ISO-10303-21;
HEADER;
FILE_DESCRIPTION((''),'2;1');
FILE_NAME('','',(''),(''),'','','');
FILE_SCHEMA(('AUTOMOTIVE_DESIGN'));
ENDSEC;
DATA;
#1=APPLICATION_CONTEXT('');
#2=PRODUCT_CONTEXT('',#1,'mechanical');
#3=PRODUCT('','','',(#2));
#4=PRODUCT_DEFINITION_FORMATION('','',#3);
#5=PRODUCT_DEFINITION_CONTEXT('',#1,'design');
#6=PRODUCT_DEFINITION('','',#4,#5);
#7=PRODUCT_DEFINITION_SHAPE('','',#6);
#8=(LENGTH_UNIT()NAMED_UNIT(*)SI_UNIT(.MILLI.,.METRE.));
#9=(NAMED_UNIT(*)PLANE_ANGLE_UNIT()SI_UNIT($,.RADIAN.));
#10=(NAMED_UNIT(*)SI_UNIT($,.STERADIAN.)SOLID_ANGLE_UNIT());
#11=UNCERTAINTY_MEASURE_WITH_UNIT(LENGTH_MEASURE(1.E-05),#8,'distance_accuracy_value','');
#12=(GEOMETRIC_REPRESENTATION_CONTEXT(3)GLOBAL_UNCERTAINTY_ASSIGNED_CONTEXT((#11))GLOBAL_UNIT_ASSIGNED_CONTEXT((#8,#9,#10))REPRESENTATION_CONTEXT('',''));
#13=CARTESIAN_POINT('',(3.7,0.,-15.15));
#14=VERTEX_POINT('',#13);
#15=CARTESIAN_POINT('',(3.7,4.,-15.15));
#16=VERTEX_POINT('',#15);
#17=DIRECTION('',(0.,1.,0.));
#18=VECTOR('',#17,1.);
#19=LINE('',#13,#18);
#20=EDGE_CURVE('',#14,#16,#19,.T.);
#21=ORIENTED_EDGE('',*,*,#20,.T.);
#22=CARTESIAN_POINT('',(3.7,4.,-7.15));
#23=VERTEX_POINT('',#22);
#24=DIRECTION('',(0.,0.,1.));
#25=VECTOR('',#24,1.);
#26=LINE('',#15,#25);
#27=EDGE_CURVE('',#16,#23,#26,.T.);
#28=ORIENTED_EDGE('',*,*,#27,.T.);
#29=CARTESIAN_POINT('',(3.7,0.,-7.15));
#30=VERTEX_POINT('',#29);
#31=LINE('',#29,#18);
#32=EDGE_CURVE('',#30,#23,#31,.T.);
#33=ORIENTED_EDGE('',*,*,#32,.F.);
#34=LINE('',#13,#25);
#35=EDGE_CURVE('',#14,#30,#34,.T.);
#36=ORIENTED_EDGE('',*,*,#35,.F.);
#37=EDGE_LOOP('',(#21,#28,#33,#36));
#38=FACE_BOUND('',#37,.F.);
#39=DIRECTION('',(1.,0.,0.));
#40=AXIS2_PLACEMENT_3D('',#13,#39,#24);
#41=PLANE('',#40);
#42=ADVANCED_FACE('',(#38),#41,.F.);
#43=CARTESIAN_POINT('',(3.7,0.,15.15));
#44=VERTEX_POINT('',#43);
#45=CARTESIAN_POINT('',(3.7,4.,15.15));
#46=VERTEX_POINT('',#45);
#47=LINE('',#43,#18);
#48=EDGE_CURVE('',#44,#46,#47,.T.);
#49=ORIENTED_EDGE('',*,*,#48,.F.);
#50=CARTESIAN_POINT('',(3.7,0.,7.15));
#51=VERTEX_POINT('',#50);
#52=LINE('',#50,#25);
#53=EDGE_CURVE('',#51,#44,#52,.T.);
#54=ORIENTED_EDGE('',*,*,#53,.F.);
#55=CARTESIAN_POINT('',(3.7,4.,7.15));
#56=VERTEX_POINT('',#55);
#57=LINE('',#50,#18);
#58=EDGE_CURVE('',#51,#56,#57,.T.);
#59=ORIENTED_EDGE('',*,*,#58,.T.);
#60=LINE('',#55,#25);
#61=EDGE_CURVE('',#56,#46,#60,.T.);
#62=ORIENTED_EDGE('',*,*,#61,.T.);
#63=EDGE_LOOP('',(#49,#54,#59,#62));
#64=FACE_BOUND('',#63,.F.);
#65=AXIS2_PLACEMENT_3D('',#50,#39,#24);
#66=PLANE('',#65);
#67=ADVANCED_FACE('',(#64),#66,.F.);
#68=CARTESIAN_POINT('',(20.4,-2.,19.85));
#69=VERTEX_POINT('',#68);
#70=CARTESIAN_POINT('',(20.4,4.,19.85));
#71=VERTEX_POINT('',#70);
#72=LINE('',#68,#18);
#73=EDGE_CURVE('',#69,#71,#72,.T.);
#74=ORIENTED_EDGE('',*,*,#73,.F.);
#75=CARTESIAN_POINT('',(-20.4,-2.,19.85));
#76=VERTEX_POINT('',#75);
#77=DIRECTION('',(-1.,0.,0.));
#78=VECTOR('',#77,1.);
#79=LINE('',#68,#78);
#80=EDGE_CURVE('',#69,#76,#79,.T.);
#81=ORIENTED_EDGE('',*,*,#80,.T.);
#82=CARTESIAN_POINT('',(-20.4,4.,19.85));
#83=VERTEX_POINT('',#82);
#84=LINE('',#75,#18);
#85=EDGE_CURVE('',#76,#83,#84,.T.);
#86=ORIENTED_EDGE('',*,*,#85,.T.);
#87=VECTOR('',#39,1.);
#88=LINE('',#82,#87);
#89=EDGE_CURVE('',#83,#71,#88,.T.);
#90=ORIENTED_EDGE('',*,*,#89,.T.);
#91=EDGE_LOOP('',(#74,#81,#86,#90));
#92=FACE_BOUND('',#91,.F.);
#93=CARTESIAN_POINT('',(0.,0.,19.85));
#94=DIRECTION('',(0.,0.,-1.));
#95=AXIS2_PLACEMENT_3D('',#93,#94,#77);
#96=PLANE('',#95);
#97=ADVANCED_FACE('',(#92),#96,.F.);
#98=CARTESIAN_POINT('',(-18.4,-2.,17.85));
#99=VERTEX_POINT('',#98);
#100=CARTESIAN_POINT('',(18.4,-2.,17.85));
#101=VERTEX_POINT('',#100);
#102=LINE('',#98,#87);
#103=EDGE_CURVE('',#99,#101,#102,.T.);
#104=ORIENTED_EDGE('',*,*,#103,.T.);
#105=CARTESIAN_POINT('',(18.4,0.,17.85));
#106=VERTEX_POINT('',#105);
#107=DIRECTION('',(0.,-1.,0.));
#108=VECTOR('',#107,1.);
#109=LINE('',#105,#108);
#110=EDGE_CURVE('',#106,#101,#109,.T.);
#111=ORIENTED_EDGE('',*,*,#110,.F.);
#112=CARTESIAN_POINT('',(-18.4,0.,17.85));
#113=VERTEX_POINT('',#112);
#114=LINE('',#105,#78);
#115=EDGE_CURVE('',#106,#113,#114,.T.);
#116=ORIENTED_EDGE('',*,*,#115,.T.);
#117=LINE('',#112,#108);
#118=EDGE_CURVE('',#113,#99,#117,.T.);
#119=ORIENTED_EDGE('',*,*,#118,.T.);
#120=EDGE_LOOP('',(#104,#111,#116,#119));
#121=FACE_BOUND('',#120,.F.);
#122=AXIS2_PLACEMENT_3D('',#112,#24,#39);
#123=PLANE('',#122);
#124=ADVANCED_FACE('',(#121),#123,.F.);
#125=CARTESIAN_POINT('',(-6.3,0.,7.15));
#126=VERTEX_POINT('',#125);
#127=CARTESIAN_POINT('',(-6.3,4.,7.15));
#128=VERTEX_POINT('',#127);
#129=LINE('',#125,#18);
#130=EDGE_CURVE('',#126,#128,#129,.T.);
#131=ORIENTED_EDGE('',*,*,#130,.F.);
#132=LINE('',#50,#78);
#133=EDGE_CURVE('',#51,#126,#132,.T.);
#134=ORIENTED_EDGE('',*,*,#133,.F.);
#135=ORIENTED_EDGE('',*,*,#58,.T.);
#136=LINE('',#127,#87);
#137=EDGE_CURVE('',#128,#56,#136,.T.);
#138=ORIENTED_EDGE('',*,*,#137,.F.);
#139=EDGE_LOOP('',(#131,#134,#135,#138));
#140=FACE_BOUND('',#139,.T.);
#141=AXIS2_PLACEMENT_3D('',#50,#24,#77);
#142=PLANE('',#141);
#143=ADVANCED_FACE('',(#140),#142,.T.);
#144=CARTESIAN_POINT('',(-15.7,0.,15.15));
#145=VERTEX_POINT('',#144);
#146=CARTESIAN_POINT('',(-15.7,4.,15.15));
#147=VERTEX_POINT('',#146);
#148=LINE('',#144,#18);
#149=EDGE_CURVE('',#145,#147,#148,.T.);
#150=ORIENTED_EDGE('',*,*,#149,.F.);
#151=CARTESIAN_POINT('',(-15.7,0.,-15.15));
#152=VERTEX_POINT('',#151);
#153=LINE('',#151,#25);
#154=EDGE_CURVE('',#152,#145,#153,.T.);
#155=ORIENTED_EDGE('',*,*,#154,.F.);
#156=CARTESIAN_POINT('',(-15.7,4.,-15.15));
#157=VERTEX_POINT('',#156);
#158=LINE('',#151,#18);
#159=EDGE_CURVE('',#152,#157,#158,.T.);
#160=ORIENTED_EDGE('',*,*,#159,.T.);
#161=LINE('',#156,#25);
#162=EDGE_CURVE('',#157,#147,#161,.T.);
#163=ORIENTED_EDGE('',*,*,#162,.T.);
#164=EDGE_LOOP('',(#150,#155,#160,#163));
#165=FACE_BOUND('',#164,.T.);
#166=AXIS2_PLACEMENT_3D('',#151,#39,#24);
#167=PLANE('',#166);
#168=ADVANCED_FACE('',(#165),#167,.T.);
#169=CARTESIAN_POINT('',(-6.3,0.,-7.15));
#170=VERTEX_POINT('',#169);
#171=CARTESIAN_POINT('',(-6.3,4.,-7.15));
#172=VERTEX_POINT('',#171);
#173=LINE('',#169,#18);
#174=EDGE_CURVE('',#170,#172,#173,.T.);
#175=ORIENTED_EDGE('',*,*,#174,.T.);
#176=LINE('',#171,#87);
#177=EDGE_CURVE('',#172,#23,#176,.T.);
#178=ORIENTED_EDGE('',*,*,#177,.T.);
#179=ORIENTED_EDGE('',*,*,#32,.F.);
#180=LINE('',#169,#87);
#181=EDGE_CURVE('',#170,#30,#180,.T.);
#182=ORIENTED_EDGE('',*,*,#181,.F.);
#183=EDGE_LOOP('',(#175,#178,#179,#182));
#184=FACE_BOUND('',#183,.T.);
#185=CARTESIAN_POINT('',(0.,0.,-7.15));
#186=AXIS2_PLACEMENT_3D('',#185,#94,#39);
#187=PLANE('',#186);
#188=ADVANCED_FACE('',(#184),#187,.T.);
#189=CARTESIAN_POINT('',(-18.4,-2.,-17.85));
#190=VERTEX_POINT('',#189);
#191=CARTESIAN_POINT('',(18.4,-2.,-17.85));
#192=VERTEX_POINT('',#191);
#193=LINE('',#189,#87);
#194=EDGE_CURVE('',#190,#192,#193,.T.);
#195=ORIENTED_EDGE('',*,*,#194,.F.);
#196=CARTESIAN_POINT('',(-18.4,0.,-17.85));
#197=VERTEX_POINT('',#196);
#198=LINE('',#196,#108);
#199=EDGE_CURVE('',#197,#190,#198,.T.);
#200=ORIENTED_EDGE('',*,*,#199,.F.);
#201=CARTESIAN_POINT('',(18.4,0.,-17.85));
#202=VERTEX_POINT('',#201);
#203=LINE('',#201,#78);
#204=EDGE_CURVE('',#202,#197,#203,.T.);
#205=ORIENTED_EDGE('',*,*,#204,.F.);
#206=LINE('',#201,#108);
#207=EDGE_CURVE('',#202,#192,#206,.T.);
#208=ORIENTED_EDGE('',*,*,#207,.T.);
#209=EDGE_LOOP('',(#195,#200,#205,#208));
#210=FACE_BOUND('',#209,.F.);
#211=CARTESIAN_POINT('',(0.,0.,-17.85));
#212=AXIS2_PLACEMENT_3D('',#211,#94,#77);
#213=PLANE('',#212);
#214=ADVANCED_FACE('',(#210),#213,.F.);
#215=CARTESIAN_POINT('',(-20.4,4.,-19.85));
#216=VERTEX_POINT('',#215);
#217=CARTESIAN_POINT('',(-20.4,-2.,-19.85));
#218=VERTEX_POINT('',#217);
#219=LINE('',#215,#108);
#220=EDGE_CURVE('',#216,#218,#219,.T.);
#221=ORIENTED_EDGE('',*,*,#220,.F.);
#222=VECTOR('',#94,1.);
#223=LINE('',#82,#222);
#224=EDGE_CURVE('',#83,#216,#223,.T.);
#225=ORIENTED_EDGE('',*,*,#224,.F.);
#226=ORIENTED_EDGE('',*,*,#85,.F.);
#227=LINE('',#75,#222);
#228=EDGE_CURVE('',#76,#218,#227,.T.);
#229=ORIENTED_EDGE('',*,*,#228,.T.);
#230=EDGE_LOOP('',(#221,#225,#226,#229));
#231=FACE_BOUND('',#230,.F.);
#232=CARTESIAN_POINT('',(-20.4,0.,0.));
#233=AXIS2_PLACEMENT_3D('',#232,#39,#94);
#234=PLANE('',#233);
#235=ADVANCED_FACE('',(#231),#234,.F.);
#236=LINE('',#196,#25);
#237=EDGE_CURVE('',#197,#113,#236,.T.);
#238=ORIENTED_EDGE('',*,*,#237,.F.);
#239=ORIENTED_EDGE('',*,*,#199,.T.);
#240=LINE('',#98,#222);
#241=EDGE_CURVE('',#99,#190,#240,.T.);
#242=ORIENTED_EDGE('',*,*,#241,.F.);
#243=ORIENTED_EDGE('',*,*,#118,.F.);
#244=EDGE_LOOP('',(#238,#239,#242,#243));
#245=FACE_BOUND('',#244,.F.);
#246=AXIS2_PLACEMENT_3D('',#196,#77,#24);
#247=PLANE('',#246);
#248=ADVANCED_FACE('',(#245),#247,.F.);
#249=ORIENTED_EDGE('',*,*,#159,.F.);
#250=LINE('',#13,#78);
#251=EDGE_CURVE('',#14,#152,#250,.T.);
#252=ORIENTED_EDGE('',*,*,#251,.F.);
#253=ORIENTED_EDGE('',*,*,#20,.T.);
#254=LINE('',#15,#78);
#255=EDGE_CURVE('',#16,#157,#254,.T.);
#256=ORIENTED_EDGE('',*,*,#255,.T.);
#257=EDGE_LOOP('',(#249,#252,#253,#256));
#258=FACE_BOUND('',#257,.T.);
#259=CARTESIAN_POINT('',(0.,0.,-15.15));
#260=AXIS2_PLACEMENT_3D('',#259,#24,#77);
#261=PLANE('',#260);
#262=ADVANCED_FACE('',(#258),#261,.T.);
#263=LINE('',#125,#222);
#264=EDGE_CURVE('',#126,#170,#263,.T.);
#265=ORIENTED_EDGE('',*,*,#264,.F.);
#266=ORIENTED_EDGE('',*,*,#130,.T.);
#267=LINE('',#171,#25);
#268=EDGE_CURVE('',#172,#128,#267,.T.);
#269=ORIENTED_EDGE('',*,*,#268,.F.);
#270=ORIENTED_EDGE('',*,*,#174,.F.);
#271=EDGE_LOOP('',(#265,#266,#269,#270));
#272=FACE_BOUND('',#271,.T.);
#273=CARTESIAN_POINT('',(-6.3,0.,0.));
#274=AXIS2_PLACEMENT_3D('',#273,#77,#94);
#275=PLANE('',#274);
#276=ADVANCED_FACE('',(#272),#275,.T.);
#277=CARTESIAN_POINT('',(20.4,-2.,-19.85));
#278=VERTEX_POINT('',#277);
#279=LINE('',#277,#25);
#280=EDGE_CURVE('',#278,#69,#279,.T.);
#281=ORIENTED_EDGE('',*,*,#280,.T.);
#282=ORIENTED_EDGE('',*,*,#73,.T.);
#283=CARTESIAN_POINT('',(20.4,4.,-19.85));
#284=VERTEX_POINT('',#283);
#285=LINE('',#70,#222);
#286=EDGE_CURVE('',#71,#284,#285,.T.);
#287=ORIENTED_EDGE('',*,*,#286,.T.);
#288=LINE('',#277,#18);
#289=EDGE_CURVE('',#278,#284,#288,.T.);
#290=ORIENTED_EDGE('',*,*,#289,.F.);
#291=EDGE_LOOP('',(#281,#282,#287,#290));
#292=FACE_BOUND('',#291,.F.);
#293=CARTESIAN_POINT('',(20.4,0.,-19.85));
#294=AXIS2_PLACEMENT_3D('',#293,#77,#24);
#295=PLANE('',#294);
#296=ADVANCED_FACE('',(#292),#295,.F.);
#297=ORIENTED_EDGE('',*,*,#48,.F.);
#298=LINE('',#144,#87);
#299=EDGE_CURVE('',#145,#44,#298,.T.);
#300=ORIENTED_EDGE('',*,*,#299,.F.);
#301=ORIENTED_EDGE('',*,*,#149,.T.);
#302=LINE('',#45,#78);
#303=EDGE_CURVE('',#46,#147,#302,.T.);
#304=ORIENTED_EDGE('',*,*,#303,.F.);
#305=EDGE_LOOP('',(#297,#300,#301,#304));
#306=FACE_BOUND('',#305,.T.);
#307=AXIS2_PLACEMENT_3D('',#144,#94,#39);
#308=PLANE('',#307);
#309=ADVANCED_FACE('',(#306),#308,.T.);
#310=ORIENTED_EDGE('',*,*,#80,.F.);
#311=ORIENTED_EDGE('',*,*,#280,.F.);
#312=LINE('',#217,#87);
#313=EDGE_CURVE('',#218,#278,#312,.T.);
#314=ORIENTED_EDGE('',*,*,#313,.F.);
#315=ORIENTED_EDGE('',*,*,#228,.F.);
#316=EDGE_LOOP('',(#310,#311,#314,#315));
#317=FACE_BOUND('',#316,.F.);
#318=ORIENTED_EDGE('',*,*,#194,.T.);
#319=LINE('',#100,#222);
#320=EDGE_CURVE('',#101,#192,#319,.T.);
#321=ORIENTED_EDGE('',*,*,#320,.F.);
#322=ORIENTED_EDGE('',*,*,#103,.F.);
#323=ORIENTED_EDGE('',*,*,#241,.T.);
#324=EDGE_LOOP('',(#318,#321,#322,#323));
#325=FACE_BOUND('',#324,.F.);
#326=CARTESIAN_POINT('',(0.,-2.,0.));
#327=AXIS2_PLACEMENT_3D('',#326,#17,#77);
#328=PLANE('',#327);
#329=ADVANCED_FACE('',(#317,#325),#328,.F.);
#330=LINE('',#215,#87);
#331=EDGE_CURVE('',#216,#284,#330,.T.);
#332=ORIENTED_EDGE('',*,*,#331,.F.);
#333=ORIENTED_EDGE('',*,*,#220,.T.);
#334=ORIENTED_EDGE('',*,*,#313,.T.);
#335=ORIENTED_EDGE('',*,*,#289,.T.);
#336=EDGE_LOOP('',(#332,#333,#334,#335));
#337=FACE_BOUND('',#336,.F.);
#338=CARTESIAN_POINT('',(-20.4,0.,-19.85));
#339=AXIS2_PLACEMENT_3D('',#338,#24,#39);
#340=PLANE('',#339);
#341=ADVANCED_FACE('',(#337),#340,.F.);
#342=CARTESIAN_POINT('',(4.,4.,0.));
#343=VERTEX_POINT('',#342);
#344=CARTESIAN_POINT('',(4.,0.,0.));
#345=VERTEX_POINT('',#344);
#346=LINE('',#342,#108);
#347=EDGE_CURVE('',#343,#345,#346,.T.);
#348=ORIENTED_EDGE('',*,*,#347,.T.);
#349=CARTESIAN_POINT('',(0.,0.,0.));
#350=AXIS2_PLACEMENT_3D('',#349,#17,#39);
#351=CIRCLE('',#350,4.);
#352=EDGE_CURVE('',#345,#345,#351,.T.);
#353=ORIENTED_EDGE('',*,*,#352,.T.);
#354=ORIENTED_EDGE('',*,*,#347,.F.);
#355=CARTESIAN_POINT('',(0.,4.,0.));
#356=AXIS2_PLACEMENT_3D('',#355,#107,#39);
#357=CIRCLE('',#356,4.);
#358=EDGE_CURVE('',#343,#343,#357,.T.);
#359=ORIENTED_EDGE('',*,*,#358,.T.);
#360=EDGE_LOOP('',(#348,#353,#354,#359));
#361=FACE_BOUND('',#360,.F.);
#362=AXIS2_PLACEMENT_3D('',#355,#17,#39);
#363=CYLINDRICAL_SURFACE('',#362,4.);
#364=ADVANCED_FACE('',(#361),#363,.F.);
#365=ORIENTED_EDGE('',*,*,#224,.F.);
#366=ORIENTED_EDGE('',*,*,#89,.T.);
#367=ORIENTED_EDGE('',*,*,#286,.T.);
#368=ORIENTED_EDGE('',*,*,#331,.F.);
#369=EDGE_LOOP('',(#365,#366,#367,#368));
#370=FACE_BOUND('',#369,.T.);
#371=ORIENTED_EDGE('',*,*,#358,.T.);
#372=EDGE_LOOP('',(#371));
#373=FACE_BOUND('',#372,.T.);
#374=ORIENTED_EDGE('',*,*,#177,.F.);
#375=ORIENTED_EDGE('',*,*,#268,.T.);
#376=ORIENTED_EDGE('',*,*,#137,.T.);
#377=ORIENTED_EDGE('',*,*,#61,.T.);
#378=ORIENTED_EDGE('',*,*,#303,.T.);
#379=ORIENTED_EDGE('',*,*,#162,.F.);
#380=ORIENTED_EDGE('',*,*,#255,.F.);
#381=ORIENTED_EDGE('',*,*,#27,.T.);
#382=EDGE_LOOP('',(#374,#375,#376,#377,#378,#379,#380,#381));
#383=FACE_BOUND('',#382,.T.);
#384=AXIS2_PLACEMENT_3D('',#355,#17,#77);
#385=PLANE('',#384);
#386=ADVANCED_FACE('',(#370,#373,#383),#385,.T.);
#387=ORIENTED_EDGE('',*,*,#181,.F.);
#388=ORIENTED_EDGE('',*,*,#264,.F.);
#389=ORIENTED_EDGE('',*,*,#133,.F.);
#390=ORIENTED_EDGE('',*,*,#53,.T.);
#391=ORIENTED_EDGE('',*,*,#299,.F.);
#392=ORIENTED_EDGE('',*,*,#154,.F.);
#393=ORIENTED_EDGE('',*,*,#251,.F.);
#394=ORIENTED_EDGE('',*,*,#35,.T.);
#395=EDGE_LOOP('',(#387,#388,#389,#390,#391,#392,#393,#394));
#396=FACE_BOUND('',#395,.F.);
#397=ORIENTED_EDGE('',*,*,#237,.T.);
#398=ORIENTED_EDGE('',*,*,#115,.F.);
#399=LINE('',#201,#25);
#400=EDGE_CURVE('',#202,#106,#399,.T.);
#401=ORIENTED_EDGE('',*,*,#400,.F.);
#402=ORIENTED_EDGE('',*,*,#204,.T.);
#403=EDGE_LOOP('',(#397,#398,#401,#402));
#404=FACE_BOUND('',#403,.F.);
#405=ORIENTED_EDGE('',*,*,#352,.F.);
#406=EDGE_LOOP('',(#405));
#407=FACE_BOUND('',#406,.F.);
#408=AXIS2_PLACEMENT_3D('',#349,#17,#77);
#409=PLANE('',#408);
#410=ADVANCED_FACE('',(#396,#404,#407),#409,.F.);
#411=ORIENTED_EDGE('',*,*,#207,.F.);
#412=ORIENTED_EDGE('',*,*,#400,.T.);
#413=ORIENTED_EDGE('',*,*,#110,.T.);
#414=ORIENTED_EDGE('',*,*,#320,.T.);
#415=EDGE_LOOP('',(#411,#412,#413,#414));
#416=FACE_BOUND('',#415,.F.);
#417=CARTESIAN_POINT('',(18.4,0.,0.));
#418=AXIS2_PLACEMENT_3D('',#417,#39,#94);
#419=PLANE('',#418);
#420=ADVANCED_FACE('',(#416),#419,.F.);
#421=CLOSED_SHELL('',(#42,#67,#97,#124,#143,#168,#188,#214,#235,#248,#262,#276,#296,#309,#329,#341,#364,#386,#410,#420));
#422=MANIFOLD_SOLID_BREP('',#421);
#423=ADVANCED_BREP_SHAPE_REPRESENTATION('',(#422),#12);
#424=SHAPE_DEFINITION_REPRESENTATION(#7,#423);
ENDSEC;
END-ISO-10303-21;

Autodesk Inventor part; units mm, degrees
ref_plane "YZ Plane" through (0, 0, 0) normal (1, 0, 0) x (0, 1, 0)
ref_plane "XZ Plane" through (0, 0, 0) normal (0, 1, 0) x (-1, 0, 0)
ref_plane "XY Plane" through (0, 0, 0) normal (0, 0, 1) x (1, 0, 0)
sketch "Sketch1" plane through (0, 0, 0) normal (0, 1, 0) x (-1, 0, 0)
  line L0 (17.7, -17.15) -> (-17.7, -17.15)
  line L1 (-17.7, -17.15) -> (-17.7, 17.15)
  line L2 (-17.7, 17.15) -> (17.7, 17.15)
  line L3 (17.7, 17.15) -> (17.7, -17.15)
  line L4 (28.56, 0) -> (-28.56, 0) projected
  line L5 (0, -27.79) -> (0, 27.79) projected
  line L6 (-3.7, 7.15) -> (6.3, 7.15)
  line L7 (6.3, 7.15) -> (6.3, -7.15)
  line L8 (6.3, -7.15) -> (-3.7, -7.15)
  line L9 (-3.7, -15.15) -> (-3.7, -7.15)
  line L10 (-3.7, 7.15) -> (-3.7, 15.15)
  line L11 (15.7, 15.15) -> (-3.7, 15.15)
  line L12 (-3.7, -15.15) -> (15.7, -15.15)
  line L13 (15.7, -15.15) -> (15.7, 15.15)
  line L14 (-18.4, -17.85) -> (18.4, -17.85)
  line L15 (18.4, -17.85) -> (18.4, 17.85)
  line L16 (18.4, 17.85) -> (-18.4, 17.85)
  line L17 (-18.4, 17.85) -> (-18.4, -17.85)
  line L18 (20.4, -19.85) -> (-20.4, -19.85)
  line L19 (-20.4, -19.85) -> (-20.4, 19.85)
  line L20 (-20.4, 19.85) -> (20.4, 19.85)
  line L21 (20.4, 19.85) -> (20.4, -19.85)
  point P0 (0, 0)
  dimension "d0" = 34.3
  dimension "d1" = 35.4
  dimension "d3" = 10
  dimension "d4" = 10
  dimension "d5" = 24
  dimension "d6" = 14
  dimension "d7" = 14
  dimension "d8" = 2
  dimension "d9" = 2
  dimension "d10" = 2
  dimension "d11" = 0.7
  dimension "d12" = 2
extrude "Extrusion1" add sketch "Sketch1" along normal blind 4 contours L3 L4 L15 L14 L5 L0 | L0 L5 L12 L13 L4 L3 | L5 L14 L17 L4 L1 L0 | L0 L1 L4 L5 L8 L9 L12 | L4 L13 L11 L5 L2 L3 | L3 L2 L5 L16 L15 L4 | L14 L15 L4 L21 L18 L5 | L5 L18 L19 L4 L17 L14 | L15 L16 L5 L20 L21 L4 | L4 L17 L16 L5 L2 L1 | L1 L2 L5 L11 L10 L6 L4 | L5 L4 L7 L8 | L4 L5 L6 L7 | L4 L19 L20 L5 L16 L17
extrude "Extrusion2" add sketch "Sketch1" against normal blind 2 contours L14 L15 L4 L21 L18 L5 | L5 L18 L19 L4 L17 L14 | L15 L16 L5 L20 L21 L4 | L4 L19 L20 L5 L16 L17
sketch "Sketch3" plane through (0, 4, 0) normal (0, 1, 0) x (1, 0, 0)
  line L0 (-28.56, 0) -> (28.56, 0) projected
  line L1 (0, 27.79) -> (0, -27.79) projected
  circle A0 centre (0, 0) radius 4
  dimension "d17" = 8
extrude "Extrusion3" cut sketch "Sketch3" against normal blind 4
properties part number "cam_socket"
